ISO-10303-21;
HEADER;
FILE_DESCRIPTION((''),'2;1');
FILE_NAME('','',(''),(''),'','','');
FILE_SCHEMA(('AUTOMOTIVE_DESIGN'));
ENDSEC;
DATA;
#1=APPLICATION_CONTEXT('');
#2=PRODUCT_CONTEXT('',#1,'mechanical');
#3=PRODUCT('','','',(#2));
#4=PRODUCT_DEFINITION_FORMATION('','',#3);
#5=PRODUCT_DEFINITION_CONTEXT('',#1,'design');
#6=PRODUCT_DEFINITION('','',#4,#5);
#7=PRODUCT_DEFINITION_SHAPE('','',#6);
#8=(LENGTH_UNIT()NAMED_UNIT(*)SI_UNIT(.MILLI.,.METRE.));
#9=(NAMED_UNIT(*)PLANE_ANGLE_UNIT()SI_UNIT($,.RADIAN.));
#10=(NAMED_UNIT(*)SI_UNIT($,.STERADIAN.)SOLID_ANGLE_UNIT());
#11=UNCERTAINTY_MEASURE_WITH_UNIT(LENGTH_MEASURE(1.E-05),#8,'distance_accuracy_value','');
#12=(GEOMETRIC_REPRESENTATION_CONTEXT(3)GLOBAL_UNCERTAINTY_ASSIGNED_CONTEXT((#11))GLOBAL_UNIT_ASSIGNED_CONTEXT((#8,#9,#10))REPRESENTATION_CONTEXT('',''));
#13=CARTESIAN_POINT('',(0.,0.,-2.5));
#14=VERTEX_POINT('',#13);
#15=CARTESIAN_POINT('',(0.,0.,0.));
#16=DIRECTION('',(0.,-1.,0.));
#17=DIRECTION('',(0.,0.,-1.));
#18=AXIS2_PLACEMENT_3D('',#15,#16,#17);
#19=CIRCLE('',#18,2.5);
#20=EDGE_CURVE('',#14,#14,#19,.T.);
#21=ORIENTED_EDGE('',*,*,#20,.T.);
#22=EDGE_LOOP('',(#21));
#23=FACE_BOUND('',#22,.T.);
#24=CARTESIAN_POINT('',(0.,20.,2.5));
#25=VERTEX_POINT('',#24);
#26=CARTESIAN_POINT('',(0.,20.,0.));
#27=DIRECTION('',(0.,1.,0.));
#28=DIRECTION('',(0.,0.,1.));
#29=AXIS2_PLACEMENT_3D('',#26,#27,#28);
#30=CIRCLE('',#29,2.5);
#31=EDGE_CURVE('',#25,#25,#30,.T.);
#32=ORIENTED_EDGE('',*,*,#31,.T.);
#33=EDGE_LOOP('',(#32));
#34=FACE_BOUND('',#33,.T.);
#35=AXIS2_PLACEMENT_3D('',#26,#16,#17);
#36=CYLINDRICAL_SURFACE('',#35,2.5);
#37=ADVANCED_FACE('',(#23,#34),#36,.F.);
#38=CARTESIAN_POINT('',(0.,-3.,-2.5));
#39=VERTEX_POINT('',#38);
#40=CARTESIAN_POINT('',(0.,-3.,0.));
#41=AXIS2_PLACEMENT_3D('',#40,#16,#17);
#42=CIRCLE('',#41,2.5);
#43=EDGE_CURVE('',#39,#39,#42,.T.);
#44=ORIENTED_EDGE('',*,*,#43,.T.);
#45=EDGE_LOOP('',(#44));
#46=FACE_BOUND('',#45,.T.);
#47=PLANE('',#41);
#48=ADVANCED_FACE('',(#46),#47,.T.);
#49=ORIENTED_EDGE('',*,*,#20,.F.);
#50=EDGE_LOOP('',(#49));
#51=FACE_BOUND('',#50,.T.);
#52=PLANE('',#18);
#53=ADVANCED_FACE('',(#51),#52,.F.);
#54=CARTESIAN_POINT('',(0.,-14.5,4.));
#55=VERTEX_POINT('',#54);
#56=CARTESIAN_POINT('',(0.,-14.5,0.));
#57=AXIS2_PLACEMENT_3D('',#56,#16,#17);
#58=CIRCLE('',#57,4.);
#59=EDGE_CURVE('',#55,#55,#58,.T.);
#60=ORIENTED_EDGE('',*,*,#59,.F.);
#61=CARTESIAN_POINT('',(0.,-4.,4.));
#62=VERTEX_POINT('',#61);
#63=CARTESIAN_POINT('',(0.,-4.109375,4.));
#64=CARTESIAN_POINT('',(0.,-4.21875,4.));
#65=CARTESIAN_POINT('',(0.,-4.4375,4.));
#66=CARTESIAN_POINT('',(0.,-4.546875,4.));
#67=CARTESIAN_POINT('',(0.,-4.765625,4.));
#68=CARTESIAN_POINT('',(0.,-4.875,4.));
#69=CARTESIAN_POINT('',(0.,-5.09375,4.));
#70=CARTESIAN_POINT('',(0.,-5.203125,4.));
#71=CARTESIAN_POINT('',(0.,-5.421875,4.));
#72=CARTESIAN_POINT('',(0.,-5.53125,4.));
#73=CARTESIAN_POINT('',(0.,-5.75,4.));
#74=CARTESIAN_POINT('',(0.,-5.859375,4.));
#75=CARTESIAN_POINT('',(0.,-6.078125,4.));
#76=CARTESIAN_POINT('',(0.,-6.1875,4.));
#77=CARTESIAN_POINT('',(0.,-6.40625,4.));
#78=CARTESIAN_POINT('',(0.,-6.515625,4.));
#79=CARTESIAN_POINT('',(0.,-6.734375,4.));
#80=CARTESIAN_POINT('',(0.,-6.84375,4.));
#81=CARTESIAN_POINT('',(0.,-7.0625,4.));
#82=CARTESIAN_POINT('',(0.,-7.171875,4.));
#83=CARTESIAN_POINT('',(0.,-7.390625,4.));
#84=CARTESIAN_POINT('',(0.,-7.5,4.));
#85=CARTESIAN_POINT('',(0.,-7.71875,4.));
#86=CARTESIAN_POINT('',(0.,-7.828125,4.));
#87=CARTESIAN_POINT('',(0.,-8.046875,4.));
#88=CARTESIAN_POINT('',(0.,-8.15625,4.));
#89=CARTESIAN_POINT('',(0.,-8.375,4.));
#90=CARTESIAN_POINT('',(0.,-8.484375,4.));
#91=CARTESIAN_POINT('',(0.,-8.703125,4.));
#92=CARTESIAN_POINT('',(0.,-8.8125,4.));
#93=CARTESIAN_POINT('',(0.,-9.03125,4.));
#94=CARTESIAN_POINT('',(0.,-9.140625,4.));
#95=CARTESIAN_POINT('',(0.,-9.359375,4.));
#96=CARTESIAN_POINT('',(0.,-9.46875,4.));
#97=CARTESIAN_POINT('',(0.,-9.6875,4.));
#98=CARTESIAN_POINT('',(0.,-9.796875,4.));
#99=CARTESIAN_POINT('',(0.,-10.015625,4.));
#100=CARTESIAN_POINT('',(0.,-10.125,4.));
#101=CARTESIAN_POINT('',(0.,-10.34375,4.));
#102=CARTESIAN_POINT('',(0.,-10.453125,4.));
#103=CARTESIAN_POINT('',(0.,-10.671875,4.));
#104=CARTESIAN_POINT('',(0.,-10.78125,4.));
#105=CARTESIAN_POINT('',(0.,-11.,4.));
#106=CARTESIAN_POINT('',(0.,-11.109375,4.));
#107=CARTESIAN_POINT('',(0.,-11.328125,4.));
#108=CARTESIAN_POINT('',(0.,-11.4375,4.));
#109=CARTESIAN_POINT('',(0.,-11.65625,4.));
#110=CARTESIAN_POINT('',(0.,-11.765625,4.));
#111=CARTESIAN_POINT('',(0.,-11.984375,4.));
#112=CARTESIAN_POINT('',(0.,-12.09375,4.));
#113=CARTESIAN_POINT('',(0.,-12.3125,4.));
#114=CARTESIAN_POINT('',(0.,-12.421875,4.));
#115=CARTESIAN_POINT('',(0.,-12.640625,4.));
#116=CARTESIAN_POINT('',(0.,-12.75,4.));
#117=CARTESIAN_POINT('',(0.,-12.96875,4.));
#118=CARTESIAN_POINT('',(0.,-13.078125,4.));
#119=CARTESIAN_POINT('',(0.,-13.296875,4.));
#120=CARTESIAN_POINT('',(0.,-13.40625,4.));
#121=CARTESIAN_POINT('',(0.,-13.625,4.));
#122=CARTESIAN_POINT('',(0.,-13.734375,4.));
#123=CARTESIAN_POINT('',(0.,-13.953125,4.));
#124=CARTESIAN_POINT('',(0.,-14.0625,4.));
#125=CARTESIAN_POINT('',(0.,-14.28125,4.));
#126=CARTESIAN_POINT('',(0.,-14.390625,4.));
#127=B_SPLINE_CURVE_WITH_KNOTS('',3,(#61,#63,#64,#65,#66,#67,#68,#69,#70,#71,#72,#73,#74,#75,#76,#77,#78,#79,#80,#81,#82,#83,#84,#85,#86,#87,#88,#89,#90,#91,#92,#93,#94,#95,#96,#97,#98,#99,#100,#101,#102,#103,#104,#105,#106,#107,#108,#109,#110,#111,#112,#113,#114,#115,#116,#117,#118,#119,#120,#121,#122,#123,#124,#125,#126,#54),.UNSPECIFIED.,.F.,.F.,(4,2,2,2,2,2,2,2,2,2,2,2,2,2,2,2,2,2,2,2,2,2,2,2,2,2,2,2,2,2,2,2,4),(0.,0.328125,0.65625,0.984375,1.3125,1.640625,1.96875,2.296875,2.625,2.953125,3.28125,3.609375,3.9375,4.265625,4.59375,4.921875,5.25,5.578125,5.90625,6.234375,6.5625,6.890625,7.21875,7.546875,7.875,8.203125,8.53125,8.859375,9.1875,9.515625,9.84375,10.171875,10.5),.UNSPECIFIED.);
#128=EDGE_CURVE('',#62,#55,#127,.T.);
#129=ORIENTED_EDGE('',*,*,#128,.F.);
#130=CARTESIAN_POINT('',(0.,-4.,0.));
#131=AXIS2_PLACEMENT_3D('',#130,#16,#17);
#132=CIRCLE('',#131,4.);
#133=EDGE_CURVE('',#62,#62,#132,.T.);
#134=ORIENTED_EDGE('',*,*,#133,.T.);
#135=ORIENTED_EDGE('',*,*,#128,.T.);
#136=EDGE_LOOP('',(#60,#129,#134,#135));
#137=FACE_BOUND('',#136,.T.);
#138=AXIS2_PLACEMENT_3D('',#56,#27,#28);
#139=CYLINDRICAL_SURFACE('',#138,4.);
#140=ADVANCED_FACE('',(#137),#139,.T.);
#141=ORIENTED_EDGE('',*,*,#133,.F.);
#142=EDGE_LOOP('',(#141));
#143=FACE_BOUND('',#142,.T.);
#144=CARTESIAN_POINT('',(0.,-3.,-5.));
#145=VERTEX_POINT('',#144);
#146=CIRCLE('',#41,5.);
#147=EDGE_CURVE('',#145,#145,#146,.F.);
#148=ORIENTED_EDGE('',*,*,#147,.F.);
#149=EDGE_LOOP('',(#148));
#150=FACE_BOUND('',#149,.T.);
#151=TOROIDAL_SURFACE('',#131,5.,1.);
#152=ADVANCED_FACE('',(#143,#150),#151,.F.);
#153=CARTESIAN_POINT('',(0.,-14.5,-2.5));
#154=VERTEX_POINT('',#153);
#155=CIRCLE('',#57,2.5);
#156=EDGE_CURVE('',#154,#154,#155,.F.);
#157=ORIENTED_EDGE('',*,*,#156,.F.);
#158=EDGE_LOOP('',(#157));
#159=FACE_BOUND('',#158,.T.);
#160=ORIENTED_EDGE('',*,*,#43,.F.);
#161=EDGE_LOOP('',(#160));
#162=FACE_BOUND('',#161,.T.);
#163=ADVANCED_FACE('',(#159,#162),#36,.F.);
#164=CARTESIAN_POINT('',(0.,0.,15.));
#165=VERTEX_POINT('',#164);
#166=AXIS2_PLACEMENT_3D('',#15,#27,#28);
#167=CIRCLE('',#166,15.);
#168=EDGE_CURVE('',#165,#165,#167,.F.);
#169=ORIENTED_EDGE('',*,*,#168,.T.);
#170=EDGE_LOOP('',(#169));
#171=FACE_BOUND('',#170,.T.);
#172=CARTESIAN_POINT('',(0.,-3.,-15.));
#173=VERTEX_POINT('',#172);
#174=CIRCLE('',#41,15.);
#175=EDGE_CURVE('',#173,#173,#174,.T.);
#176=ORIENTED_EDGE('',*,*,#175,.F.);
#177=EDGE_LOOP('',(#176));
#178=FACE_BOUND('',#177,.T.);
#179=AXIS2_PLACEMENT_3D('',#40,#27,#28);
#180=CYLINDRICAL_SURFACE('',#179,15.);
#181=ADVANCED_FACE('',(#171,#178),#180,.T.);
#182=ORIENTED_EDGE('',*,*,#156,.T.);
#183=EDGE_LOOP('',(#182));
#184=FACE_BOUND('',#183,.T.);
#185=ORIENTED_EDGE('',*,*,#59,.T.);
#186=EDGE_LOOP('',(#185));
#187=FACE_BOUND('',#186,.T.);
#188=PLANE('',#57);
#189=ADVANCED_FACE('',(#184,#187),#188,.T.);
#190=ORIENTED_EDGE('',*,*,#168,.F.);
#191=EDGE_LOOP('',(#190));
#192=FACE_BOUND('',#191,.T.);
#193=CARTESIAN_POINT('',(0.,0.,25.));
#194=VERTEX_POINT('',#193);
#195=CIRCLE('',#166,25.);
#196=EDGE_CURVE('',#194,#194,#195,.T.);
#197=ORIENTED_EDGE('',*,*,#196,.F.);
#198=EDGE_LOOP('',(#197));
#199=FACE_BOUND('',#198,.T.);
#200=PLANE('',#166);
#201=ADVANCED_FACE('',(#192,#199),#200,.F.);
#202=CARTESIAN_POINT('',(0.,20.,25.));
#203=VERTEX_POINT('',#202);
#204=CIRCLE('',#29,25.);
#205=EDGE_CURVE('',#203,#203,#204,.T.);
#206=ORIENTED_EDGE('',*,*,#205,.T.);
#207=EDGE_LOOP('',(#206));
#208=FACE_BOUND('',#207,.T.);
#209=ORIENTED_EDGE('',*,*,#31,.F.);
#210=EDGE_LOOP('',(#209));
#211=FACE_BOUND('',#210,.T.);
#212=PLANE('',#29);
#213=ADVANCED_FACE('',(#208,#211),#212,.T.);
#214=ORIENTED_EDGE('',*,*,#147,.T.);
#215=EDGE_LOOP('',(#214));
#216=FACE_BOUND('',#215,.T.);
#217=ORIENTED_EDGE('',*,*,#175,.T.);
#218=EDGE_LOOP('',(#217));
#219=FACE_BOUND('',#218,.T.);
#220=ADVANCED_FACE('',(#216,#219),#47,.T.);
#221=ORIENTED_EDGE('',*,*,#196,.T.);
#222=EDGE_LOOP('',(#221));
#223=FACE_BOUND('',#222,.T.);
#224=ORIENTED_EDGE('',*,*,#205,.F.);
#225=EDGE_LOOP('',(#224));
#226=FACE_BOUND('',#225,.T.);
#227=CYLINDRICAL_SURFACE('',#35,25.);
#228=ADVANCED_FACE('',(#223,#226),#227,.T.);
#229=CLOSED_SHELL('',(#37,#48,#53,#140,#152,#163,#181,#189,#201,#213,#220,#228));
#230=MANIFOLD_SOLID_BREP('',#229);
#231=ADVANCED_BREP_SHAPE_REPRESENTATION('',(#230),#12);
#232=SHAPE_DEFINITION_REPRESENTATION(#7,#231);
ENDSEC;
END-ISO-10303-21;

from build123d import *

# Parameters (mm, degrees)
SKETCH1_R           = 25
SKETCH1_R_2         = 2.5
BOSS_EXTRUDE1_DEPTH = 20
BOSS_EXTRUDE3_START = 14.5
BOSS_EXTRUDE3_DEPTH = 14.5
SKETCH7_R           = 15
BOSS_EXTRUDE4_DEPTH = 3
FILLET1_R           = 1


with BuildPart() as part:
    # Sketch1 → Boss-Extrude1 (new body)
    with BuildSketch(Plane(origin=(0, 0, 0), x_dir=(1, 0, 0), z_dir=(0, 1, 0))):
        with Locations(Location((0, 0, 0), (0, 0, 270))):
            Circle(SKETCH1_R)
        with Locations(Location((0, 0, 0), (0, 0, 270))):
            Circle(SKETCH1_R_2, mode=Mode.SUBTRACT)
    extrude(amount=BOSS_EXTRUDE1_DEPTH)

    # Sketch2 → Boss-Extrude3 (add)
    with BuildSketch(Plane.XZ.offset(BOSS_EXTRUDE3_START)):
        with BuildLine():
            ThreePointArc((-2, 3.464101615), (-4, 0), (-2, -3.464101615))
            ThreePointArc((-2, -3.464101615), (4, 0), (-2, 3.464101615))
        make_face()
        with BuildLine():
            ThreePointArc((-2, 1.5), (2.5, 0), (-2, -1.5))
            ThreePointArc((-2, -1.5), (-2.5, 0), (-2, 1.5))
        make_face(mode=Mode.SUBTRACT)
    extrude(amount=-BOSS_EXTRUDE3_DEPTH)

    # Sketch7 → Boss-Extrude4 (add)
    with BuildSketch(Plane.XZ):
        with Locations(Location((0, 0, 0), (0, 0, 90))):
            Circle(SKETCH7_R)
    extrude(amount=BOSS_EXTRUDE4_DEPTH)

    # Fillet1
    fillet1_edges = [part.edges().sort_by_distance(p)[0] for p in [
        (2, -3, -3.464101615),
    ]]
    fillet(fillet1_edges, radius=FILLET1_R)


solid = part.part
